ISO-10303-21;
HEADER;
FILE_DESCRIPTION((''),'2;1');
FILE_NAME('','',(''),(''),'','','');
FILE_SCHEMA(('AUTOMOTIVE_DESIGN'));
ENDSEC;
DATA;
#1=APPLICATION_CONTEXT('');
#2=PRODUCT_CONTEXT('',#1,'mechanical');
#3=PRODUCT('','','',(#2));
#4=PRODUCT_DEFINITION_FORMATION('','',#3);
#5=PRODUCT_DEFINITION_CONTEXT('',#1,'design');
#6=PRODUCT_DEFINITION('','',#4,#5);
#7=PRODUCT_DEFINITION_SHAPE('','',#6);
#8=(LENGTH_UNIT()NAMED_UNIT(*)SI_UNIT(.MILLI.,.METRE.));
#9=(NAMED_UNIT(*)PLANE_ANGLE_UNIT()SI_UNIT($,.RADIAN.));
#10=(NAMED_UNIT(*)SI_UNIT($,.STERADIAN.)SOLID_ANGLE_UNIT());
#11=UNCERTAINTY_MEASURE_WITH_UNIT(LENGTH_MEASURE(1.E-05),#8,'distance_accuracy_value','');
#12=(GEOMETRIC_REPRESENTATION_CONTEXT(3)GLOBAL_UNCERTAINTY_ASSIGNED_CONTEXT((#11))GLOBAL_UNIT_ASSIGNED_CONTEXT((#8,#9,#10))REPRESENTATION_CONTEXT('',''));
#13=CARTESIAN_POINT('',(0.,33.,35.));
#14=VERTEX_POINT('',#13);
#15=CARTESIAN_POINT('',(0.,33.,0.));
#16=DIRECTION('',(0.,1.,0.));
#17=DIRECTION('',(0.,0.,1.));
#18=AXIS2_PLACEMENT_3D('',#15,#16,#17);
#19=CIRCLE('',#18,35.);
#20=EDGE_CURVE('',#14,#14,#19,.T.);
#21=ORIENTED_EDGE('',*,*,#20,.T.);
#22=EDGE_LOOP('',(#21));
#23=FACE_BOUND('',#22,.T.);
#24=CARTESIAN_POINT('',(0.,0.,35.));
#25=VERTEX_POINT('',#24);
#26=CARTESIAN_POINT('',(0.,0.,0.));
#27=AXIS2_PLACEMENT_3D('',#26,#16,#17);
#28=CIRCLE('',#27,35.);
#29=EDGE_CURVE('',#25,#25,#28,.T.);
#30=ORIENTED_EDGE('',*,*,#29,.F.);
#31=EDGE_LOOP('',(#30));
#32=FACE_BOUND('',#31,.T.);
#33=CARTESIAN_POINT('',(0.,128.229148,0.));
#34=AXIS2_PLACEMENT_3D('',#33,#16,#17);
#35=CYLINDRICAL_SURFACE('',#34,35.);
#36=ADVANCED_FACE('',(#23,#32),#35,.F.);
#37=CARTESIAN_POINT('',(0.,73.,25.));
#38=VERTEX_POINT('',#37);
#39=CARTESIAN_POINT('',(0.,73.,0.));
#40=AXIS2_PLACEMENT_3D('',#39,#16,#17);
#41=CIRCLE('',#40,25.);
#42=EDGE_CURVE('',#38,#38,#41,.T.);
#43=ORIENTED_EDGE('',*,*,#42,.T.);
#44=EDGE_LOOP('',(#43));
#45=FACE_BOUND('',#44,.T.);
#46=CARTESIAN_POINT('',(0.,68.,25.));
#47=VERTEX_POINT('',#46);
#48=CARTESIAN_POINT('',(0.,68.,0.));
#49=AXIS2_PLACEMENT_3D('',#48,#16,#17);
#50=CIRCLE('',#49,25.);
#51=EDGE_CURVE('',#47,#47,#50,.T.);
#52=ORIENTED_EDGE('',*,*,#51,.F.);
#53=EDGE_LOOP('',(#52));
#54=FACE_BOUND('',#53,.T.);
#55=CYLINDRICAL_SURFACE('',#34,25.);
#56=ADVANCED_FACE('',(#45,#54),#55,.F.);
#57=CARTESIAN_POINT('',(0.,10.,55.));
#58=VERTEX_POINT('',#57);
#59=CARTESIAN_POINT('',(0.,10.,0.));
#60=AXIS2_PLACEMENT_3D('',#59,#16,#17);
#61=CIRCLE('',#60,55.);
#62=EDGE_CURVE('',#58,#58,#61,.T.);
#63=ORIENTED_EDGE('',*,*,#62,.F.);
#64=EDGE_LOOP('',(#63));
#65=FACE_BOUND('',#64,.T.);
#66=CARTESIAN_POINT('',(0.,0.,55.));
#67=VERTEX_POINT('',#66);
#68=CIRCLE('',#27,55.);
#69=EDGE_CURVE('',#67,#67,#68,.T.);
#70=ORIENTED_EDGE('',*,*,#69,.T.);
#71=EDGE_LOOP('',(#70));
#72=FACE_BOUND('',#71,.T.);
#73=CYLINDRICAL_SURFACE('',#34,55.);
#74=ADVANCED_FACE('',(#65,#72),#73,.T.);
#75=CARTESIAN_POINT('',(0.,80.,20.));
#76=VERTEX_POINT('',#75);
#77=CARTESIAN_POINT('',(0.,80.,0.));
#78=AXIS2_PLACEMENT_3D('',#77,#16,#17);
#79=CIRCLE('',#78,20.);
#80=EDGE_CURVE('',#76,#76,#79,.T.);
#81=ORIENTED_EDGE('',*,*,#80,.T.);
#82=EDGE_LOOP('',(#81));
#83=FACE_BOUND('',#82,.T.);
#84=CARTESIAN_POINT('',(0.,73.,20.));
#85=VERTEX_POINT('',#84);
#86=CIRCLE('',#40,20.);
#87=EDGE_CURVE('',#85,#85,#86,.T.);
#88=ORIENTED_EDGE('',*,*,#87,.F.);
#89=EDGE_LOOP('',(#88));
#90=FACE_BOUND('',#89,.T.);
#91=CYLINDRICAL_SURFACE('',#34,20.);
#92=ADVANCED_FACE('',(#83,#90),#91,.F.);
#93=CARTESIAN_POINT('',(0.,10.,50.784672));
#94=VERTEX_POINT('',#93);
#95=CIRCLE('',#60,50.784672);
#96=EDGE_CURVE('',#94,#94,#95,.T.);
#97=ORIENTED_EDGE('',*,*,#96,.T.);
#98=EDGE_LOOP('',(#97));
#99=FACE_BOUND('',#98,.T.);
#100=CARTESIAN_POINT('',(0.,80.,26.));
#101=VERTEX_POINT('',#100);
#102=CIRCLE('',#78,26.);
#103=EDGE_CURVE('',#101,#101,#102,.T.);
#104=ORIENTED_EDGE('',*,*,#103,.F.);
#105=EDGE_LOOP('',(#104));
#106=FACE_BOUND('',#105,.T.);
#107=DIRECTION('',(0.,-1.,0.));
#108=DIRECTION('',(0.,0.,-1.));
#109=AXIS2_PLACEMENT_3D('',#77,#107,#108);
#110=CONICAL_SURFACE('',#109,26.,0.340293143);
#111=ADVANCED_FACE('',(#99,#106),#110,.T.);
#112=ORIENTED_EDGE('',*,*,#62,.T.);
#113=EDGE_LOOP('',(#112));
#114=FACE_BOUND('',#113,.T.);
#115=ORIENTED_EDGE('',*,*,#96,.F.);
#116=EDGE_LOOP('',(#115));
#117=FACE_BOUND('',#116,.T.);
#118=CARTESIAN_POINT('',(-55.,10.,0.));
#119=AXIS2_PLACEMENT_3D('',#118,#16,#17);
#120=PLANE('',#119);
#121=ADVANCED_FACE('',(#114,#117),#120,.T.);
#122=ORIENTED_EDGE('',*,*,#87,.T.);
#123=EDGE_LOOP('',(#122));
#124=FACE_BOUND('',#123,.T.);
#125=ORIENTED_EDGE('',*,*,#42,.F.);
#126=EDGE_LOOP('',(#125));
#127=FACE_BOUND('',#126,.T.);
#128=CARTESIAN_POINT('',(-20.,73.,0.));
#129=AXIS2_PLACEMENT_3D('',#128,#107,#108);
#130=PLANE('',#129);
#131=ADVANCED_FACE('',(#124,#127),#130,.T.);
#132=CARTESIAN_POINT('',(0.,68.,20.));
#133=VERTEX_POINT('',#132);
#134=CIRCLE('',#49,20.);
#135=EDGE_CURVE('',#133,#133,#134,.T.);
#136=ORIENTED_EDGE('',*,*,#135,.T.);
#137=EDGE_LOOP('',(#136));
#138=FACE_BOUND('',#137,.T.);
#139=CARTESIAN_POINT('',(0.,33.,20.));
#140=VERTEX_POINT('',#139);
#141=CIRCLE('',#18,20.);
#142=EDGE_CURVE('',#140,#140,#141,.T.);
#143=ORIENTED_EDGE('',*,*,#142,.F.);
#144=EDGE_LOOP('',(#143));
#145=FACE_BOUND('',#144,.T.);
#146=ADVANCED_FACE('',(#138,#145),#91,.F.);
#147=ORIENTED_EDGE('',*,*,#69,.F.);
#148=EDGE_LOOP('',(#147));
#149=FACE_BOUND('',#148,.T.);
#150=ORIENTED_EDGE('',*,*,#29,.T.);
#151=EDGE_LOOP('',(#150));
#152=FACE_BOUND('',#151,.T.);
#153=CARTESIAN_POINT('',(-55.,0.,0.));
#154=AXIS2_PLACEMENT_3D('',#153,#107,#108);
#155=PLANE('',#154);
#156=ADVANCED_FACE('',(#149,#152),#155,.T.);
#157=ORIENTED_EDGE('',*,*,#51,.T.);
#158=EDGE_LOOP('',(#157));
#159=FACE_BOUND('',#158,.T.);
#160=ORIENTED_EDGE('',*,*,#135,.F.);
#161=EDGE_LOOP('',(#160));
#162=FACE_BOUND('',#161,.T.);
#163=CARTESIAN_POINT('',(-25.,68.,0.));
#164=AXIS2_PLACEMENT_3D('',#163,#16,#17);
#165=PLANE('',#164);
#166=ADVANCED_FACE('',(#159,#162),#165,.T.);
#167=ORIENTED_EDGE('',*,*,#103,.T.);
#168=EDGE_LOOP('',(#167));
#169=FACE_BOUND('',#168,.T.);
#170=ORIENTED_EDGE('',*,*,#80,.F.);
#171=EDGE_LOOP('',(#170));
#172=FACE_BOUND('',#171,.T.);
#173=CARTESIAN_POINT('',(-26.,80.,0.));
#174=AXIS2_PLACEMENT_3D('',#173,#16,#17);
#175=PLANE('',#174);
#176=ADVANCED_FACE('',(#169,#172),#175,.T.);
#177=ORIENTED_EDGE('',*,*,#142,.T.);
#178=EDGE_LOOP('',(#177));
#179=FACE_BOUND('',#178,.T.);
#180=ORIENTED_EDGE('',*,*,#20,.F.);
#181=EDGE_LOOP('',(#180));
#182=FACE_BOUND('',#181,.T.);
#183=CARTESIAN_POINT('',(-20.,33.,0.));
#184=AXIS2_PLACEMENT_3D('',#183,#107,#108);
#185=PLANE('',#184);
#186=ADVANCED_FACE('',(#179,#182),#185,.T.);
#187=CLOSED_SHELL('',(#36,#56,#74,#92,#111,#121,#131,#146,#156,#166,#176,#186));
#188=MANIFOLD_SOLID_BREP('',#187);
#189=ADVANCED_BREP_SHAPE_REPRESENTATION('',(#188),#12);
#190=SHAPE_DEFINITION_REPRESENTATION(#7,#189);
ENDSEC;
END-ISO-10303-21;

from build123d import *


with BuildPart() as part:
    # Sketch1 → Revolve1 (revolve)
    with BuildSketch(Plane.XY):
        Polygon((-55, 0), (-35, 0), (-35, 33), (-20, 33), (-20, 68), (-25, 68), (-25, 73), (-20, 73), (-20, 80), (-26, 80), (-50.784671533, 10), (-55, 10), align=None)
    revolve(axis=Axis((0, 128.229147948, 0), (0, -1, 0)))


solid = part.part
